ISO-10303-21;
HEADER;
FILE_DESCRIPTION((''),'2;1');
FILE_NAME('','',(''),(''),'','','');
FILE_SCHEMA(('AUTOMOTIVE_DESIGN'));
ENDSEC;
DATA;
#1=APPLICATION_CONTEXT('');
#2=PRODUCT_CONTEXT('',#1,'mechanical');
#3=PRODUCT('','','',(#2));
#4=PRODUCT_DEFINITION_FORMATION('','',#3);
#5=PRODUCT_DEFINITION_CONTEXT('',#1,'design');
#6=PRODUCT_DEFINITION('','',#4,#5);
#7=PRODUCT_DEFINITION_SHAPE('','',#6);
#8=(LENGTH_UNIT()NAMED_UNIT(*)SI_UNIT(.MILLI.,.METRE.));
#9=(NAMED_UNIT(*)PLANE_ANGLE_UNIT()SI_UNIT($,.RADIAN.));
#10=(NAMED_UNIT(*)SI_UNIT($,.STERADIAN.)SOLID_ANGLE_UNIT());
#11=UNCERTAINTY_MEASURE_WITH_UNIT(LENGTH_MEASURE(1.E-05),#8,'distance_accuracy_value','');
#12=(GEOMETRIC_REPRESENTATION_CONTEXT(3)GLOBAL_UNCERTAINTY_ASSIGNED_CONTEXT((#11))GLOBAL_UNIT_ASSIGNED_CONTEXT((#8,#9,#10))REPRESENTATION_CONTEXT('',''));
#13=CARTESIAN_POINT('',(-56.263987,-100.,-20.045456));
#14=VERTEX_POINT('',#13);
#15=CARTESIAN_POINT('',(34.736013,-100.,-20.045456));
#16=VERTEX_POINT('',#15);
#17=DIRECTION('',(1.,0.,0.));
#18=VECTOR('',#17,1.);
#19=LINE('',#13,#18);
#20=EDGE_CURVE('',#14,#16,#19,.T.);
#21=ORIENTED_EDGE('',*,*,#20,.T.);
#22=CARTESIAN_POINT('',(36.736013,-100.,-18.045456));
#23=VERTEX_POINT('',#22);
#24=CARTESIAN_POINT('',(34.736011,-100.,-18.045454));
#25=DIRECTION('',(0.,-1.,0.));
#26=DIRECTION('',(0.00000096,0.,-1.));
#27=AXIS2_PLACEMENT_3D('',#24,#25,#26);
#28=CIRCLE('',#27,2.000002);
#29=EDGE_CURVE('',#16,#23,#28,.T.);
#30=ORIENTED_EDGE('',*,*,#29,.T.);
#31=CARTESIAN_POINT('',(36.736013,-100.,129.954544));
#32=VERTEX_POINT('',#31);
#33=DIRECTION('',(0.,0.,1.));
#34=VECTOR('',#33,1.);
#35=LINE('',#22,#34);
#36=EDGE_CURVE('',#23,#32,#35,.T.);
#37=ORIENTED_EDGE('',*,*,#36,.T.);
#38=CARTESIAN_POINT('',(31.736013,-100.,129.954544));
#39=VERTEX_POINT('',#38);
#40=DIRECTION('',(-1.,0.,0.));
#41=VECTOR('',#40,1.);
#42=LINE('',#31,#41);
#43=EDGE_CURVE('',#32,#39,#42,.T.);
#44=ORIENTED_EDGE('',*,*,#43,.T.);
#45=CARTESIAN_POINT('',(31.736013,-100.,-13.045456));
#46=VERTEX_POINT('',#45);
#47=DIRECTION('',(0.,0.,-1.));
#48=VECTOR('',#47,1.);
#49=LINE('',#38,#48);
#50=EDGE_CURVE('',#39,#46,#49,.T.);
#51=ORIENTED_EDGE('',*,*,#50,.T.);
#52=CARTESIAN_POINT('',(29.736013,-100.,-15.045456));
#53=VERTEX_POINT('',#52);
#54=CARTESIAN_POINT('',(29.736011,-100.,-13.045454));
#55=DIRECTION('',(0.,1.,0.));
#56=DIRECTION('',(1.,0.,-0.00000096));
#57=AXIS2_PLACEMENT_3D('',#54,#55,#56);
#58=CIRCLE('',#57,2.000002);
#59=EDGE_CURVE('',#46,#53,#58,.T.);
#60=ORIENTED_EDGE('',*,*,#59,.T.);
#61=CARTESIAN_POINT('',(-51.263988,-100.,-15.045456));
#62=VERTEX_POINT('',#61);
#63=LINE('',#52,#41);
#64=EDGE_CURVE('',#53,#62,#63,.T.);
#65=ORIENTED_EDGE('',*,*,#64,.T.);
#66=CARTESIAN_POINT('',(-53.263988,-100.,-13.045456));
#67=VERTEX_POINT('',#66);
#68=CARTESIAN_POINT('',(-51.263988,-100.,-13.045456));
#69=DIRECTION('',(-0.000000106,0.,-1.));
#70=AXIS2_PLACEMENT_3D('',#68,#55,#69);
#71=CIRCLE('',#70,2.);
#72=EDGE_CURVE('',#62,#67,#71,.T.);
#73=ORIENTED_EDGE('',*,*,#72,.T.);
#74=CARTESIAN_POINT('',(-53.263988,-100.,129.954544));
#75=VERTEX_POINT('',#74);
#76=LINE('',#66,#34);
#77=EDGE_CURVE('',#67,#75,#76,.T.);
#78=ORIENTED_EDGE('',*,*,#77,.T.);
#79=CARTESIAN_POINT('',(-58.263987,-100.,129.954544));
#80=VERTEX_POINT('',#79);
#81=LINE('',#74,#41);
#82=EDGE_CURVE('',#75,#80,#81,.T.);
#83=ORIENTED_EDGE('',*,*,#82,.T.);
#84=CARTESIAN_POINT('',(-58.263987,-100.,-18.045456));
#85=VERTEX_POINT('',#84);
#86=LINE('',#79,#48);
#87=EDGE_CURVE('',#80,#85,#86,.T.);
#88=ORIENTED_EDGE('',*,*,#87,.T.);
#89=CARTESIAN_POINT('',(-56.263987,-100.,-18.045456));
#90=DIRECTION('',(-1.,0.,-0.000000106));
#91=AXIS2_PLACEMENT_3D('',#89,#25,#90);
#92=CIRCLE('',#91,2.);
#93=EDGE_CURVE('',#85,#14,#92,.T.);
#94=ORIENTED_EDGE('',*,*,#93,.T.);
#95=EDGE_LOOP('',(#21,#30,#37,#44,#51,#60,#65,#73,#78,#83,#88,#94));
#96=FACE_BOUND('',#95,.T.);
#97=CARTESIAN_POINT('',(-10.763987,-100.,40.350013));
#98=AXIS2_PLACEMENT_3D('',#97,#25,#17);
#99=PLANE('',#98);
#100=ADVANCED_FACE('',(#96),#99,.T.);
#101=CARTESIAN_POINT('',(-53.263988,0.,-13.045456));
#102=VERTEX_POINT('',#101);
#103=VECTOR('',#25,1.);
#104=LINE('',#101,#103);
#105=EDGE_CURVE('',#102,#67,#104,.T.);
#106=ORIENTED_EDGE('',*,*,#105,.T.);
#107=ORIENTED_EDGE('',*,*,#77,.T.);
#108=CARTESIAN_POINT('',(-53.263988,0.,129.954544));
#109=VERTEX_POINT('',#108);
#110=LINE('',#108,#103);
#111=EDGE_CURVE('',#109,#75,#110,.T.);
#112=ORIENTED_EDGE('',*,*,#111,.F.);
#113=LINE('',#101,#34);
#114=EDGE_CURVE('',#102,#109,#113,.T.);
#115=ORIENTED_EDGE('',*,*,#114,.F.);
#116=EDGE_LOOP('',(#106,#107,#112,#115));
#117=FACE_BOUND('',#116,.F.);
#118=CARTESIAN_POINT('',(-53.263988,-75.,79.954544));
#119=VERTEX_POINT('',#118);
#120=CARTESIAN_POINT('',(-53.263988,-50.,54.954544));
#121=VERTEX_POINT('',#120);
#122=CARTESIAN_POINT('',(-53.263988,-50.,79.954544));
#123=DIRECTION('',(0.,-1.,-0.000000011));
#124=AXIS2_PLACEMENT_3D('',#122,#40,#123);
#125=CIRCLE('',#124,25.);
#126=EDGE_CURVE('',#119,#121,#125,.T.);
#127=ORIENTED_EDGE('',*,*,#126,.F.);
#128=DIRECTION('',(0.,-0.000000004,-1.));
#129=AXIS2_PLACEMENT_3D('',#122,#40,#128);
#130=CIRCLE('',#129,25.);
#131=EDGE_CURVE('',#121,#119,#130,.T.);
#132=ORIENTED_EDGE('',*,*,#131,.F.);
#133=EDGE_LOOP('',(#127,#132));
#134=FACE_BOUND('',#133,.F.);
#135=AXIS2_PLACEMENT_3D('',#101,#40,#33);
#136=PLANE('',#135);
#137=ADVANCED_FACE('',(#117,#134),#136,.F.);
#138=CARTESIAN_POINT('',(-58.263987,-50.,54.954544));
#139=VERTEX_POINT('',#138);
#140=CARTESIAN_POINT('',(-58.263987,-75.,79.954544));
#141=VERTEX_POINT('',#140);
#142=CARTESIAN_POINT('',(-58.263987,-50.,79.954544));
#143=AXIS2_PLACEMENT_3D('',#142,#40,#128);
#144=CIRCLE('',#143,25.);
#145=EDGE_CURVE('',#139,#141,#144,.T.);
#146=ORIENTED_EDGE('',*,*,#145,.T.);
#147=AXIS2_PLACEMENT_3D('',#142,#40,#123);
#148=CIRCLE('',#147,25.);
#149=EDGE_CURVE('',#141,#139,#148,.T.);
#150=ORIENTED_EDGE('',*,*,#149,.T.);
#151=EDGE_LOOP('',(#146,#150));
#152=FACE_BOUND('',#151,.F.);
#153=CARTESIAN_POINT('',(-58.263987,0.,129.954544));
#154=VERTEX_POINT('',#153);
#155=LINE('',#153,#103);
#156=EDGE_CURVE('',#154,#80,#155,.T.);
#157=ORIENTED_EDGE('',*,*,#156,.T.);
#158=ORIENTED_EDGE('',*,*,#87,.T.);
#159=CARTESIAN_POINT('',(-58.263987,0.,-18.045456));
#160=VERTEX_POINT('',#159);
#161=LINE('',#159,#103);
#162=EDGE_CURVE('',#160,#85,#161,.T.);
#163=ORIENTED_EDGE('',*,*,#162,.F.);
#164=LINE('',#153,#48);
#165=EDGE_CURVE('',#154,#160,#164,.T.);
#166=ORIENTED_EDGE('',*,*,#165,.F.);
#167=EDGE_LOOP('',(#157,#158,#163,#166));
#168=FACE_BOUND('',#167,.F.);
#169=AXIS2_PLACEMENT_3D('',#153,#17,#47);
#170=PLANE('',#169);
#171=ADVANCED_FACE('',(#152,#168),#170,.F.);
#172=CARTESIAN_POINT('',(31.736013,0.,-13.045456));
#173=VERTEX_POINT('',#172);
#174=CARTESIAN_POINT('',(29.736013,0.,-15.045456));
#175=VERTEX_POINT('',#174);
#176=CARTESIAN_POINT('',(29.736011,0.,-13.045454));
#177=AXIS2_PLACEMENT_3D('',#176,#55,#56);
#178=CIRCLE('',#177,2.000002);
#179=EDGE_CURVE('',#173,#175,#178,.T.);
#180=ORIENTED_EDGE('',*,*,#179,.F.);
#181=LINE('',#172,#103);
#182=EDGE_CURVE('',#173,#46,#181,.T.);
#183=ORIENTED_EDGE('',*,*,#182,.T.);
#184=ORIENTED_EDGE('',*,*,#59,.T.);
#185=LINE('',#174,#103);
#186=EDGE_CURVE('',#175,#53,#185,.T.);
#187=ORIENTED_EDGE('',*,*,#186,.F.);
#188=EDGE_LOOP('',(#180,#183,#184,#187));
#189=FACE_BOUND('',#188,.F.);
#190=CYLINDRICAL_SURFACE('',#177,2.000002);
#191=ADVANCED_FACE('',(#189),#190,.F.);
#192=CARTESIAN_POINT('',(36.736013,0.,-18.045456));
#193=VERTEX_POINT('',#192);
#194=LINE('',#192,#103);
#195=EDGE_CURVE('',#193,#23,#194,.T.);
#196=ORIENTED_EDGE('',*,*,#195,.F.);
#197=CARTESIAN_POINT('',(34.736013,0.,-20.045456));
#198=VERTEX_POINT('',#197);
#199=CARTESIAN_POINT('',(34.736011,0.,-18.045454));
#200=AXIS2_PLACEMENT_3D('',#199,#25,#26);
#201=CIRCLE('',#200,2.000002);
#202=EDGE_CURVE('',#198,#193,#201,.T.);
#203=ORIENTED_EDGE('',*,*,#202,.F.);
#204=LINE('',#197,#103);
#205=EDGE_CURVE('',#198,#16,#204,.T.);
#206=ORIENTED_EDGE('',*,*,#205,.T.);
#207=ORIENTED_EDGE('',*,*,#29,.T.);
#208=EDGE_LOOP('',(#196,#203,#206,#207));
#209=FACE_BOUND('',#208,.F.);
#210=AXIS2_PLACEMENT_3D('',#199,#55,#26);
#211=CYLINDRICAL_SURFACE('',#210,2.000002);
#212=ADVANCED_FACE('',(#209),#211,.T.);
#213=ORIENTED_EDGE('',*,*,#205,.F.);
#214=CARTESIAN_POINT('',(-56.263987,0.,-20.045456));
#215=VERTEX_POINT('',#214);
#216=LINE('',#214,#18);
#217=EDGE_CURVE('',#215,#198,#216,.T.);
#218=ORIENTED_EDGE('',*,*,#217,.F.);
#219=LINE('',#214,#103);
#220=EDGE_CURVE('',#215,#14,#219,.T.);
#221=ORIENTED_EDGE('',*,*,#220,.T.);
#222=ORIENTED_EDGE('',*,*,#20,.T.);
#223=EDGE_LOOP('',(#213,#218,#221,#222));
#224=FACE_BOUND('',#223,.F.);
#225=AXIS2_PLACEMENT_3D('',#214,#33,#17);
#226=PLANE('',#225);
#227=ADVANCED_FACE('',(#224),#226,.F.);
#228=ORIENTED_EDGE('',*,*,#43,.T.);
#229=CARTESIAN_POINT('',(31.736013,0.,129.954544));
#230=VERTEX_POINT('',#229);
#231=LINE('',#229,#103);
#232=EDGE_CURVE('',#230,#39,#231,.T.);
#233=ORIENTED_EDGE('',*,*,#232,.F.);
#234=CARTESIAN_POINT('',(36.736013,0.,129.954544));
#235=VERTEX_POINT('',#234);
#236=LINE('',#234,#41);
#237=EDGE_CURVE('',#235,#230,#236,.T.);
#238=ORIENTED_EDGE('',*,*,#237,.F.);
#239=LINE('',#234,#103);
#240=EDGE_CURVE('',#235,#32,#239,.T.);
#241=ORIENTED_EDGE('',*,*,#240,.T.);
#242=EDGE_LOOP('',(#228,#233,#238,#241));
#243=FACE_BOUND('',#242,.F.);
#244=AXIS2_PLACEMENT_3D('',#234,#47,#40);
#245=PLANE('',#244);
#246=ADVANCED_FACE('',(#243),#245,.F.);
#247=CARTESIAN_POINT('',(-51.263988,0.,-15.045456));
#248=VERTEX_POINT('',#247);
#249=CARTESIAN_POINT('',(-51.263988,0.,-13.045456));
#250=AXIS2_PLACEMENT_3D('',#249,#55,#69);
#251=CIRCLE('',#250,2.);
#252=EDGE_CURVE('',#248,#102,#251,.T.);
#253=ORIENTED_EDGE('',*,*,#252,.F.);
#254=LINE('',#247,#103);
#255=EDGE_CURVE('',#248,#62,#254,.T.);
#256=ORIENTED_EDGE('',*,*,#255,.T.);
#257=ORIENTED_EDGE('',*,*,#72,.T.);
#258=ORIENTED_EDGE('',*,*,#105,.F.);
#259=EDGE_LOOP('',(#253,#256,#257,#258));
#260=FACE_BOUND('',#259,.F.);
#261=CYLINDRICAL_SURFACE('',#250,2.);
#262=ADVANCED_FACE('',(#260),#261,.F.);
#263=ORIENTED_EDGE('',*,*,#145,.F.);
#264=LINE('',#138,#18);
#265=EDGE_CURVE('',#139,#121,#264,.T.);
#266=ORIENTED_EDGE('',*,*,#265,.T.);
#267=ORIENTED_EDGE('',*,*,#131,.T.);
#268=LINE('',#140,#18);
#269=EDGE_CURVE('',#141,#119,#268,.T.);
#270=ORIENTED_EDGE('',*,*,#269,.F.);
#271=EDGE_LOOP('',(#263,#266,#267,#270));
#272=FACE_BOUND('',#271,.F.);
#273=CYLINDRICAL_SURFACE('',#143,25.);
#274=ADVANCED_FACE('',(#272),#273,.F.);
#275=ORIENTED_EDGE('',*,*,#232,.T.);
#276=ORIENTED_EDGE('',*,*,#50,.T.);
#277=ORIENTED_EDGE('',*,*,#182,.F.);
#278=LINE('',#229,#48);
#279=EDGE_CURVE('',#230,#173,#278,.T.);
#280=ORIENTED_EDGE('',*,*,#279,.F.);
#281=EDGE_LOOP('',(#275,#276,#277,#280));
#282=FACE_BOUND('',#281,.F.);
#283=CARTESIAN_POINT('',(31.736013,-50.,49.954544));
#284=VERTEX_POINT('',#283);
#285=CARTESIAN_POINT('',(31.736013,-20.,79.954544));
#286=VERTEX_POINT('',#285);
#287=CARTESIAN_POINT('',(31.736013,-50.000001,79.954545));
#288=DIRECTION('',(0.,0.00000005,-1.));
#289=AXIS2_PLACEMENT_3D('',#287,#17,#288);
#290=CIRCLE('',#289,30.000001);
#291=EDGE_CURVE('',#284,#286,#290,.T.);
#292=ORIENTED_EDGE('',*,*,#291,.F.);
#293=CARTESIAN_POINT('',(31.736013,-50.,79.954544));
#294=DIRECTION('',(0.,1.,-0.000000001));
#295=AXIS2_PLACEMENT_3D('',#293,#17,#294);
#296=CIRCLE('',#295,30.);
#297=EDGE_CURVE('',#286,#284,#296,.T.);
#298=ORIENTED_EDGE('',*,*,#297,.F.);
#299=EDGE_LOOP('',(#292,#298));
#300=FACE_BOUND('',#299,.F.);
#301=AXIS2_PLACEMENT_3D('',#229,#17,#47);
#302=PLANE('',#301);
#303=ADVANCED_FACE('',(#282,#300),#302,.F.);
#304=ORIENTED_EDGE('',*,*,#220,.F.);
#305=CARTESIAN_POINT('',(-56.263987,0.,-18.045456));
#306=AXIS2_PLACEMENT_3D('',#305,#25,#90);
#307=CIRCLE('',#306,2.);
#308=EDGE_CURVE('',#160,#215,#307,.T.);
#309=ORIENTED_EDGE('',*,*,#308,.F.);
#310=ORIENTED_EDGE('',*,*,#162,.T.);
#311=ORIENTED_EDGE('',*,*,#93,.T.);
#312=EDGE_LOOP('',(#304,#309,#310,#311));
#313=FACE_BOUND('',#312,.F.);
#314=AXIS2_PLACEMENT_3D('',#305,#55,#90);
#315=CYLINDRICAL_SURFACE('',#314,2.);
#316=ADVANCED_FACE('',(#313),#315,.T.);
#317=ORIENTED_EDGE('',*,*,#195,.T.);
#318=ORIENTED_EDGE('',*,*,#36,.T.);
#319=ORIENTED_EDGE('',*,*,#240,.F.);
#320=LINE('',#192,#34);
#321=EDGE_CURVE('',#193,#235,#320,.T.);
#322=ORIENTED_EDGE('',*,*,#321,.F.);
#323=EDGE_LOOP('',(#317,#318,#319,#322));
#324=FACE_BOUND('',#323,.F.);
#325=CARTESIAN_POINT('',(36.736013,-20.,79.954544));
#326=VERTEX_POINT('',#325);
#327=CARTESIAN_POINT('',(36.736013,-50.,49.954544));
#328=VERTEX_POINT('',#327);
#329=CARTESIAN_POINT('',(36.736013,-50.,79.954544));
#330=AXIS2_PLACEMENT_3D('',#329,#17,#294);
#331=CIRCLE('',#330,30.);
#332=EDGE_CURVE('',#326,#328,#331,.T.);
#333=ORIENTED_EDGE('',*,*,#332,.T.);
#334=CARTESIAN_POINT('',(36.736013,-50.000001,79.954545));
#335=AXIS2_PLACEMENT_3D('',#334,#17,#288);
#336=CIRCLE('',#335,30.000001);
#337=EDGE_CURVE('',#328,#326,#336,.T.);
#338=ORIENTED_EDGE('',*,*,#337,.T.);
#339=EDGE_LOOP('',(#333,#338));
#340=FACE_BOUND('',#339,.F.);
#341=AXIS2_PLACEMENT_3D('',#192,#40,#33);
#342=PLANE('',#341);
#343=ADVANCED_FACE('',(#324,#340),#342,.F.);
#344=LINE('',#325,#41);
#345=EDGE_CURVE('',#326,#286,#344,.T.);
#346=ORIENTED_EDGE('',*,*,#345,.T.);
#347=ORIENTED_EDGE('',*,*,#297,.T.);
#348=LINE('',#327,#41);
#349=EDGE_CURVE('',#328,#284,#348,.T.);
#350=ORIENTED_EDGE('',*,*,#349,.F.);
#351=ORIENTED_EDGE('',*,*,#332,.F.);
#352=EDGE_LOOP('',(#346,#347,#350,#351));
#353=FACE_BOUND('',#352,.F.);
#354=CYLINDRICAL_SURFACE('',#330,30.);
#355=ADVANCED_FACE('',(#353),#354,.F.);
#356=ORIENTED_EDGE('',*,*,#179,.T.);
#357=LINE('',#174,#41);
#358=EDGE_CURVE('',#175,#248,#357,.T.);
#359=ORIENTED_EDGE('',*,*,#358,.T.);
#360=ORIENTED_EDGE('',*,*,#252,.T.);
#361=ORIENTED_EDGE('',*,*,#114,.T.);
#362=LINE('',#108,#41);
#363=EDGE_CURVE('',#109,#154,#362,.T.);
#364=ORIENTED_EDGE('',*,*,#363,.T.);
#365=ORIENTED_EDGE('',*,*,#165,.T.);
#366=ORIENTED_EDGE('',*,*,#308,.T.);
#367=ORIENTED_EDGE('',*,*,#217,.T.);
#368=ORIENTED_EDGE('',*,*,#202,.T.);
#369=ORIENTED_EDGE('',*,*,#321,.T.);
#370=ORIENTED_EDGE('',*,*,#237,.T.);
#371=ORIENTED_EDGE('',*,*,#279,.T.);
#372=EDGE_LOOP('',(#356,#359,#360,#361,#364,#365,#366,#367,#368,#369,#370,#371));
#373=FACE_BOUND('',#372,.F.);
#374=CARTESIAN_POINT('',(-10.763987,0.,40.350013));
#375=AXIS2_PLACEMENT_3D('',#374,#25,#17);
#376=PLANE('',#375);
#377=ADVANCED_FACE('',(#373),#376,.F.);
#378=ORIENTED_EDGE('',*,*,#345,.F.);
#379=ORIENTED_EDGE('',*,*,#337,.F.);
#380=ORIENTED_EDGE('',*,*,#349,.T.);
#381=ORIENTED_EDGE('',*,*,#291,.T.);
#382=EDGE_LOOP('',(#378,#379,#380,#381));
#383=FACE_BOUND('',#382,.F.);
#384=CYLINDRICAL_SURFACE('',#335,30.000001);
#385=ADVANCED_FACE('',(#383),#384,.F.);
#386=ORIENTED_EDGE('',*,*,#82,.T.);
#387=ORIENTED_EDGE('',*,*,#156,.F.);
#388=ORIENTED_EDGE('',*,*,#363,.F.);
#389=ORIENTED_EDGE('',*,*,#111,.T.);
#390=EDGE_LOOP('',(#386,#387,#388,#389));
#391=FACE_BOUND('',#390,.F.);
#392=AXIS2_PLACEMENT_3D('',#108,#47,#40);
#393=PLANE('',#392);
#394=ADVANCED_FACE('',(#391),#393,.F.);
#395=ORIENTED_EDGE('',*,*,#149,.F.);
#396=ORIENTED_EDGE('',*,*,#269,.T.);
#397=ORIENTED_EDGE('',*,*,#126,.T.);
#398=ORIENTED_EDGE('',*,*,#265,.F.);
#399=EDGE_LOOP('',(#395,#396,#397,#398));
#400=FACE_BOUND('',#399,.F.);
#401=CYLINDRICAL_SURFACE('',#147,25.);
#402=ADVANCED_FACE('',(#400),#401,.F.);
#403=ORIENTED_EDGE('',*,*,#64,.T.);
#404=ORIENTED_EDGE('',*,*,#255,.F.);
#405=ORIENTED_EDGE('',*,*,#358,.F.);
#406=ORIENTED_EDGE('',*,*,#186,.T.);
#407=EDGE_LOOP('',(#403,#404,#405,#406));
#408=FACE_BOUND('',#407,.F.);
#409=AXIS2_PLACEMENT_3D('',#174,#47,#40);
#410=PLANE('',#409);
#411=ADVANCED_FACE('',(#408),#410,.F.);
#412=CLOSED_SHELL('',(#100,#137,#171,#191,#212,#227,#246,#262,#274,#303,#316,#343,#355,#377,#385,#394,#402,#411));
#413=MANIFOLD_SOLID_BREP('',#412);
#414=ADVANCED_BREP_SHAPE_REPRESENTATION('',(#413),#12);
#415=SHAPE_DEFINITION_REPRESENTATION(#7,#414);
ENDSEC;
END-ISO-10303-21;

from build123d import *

# Parameters (mm, degrees)
F1_DEPTH = 100
F3_DEPTH = 5
F5_DEPTH = 5


with BuildPart() as f1:
    # F0 (on Front) → F1 (new body)
    with BuildSketch(Plane.XZ):
        with BuildLine():
            Line((-53.263988, 129.954544), (-58.263987, 129.954544))
            Line((-58.263987, 129.954544), (-58.263987, -18.045456))
            ThreePointArc((-58.263987, -18.045456), (-57.678201, -19.459669), (-56.263987, -20.045456))
            Line((-56.263987, -20.045456), (34.736013, -20.045456))
            ThreePointArc((34.736013, -20.045456), (36.150226, -19.459669), (36.736013, -18.045456))
            Line((36.736013, -18.045456), (36.736013, 129.954544))
            Line((36.736013, 129.954544), (31.736013, 129.954544))
            Line((31.736013, 129.954544), (31.736013, -13.045456))
            ThreePointArc((31.736013, -13.045456), (31.150226, -14.459669), (29.736013, -15.045456))
            Line((29.736013, -15.045456), (-51.263988, -15.045456))
            ThreePointArc((-51.263988, -15.045456), (-52.678202, -14.459669), (-53.263988, -13.045456))
            Line((-53.263988, -13.045456), (-53.263988, 129.954544))
        make_face()
    extrude(amount=F1_DEPTH)

    # F2 (on face) → F3 (cut)
    with BuildSketch(Plane.YZ.offset(36.736013)):
        with BuildLine():
            ThreePointArc((-20, 79.954544), (-71.213203, 101.167748), (-50, 49.954544))
            ThreePointArc((-50, 49.954544), (-28.786797, 58.741341), (-20, 79.954544))
        make_face()
    extrude(amount=-F3_DEPTH, mode=Mode.SUBTRACT)

    # F4 (on face) → F5 (cut)
    with BuildSketch(Plane(origin=(-58.263987, 0, 0), x_dir=(0, -1, 0), z_dir=(-1, 0, 0))):
        with BuildLine():
            ThreePointArc((75, 79.954544), (32.32233, 97.632214), (50, 54.954544))
            ThreePointArc((50, 54.954544), (67.67767, 62.276875), (75, 79.954544))
        make_face()
    extrude(amount=-F5_DEPTH, mode=Mode.SUBTRACT)


solid = f1.part
